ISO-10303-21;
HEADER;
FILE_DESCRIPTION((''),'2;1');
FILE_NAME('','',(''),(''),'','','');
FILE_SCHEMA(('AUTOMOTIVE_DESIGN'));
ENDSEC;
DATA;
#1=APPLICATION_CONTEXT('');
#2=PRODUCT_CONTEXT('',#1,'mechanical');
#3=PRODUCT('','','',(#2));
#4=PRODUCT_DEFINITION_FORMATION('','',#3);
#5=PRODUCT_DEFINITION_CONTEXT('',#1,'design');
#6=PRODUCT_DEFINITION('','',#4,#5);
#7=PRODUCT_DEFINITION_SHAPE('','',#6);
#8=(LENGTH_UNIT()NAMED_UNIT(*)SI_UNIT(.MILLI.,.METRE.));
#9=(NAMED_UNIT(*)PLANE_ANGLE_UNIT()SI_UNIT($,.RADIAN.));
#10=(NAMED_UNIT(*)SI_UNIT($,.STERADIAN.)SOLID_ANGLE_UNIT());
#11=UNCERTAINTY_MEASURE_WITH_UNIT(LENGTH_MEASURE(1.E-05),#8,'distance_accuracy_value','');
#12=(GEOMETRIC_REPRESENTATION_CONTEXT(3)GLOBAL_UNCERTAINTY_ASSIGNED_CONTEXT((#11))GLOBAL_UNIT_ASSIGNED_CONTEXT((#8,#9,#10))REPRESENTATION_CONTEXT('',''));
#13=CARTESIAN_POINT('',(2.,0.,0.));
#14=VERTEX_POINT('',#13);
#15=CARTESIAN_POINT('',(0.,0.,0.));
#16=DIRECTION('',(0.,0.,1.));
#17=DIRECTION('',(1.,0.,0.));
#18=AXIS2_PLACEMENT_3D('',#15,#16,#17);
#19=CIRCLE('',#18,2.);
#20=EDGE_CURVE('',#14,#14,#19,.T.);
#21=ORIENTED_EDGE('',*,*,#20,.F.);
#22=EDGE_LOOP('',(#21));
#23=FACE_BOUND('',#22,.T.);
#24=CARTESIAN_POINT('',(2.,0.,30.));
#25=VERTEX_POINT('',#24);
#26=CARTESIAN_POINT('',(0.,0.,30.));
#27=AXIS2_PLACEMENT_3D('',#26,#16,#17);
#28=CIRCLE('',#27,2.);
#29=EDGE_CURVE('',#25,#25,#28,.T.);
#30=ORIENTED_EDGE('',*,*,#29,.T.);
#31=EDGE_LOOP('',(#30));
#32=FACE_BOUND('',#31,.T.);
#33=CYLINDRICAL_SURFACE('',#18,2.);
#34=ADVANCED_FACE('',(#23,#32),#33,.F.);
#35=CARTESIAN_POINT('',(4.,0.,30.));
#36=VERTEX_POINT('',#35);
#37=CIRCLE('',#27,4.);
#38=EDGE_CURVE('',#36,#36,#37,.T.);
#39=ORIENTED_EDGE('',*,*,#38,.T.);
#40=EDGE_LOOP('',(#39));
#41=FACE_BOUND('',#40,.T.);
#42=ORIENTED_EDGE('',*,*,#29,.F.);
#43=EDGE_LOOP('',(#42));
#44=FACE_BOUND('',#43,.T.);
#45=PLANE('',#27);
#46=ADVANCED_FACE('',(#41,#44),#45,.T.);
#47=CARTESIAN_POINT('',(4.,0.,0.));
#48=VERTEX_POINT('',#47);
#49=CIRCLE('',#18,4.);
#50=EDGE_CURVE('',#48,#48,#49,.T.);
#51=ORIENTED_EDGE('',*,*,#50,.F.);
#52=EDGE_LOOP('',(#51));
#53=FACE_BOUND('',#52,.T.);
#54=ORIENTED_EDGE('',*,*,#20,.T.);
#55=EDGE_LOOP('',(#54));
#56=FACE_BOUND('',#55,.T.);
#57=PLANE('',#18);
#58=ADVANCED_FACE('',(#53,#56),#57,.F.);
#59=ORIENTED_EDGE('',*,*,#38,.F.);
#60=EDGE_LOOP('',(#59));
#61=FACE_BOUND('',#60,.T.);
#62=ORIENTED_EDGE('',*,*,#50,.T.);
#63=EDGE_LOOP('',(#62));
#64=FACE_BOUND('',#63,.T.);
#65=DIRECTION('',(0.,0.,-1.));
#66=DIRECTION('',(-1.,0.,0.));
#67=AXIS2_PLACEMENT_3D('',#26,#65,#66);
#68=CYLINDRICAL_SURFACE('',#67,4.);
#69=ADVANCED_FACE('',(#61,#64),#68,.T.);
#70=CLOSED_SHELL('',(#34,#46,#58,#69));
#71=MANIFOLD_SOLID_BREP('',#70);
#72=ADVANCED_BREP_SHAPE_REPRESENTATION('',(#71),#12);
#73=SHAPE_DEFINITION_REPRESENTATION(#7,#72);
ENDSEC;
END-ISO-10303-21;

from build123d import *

# Parameters (mm, degrees)
SKETCH1_R           = 4
BOSS_EXTRUDE1_DEPTH = 30
SKETCH2_R           = 2
CUT_EXTRUDE1_DEPTH  = 31


with BuildPart() as part:
    # Sketch1 → Boss-Extrude1 (new body)
    with BuildSketch(Plane.XY):
        Circle(SKETCH1_R)
    extrude(amount=BOSS_EXTRUDE1_DEPTH)

    # Sketch2 → Cut-Extrude1 (cut, through all)
    with BuildSketch(Plane.XY.offset(30)):
        Circle(SKETCH2_R)
    extrude(amount=-CUT_EXTRUDE1_DEPTH, mode=Mode.SUBTRACT)


solid = part.part
